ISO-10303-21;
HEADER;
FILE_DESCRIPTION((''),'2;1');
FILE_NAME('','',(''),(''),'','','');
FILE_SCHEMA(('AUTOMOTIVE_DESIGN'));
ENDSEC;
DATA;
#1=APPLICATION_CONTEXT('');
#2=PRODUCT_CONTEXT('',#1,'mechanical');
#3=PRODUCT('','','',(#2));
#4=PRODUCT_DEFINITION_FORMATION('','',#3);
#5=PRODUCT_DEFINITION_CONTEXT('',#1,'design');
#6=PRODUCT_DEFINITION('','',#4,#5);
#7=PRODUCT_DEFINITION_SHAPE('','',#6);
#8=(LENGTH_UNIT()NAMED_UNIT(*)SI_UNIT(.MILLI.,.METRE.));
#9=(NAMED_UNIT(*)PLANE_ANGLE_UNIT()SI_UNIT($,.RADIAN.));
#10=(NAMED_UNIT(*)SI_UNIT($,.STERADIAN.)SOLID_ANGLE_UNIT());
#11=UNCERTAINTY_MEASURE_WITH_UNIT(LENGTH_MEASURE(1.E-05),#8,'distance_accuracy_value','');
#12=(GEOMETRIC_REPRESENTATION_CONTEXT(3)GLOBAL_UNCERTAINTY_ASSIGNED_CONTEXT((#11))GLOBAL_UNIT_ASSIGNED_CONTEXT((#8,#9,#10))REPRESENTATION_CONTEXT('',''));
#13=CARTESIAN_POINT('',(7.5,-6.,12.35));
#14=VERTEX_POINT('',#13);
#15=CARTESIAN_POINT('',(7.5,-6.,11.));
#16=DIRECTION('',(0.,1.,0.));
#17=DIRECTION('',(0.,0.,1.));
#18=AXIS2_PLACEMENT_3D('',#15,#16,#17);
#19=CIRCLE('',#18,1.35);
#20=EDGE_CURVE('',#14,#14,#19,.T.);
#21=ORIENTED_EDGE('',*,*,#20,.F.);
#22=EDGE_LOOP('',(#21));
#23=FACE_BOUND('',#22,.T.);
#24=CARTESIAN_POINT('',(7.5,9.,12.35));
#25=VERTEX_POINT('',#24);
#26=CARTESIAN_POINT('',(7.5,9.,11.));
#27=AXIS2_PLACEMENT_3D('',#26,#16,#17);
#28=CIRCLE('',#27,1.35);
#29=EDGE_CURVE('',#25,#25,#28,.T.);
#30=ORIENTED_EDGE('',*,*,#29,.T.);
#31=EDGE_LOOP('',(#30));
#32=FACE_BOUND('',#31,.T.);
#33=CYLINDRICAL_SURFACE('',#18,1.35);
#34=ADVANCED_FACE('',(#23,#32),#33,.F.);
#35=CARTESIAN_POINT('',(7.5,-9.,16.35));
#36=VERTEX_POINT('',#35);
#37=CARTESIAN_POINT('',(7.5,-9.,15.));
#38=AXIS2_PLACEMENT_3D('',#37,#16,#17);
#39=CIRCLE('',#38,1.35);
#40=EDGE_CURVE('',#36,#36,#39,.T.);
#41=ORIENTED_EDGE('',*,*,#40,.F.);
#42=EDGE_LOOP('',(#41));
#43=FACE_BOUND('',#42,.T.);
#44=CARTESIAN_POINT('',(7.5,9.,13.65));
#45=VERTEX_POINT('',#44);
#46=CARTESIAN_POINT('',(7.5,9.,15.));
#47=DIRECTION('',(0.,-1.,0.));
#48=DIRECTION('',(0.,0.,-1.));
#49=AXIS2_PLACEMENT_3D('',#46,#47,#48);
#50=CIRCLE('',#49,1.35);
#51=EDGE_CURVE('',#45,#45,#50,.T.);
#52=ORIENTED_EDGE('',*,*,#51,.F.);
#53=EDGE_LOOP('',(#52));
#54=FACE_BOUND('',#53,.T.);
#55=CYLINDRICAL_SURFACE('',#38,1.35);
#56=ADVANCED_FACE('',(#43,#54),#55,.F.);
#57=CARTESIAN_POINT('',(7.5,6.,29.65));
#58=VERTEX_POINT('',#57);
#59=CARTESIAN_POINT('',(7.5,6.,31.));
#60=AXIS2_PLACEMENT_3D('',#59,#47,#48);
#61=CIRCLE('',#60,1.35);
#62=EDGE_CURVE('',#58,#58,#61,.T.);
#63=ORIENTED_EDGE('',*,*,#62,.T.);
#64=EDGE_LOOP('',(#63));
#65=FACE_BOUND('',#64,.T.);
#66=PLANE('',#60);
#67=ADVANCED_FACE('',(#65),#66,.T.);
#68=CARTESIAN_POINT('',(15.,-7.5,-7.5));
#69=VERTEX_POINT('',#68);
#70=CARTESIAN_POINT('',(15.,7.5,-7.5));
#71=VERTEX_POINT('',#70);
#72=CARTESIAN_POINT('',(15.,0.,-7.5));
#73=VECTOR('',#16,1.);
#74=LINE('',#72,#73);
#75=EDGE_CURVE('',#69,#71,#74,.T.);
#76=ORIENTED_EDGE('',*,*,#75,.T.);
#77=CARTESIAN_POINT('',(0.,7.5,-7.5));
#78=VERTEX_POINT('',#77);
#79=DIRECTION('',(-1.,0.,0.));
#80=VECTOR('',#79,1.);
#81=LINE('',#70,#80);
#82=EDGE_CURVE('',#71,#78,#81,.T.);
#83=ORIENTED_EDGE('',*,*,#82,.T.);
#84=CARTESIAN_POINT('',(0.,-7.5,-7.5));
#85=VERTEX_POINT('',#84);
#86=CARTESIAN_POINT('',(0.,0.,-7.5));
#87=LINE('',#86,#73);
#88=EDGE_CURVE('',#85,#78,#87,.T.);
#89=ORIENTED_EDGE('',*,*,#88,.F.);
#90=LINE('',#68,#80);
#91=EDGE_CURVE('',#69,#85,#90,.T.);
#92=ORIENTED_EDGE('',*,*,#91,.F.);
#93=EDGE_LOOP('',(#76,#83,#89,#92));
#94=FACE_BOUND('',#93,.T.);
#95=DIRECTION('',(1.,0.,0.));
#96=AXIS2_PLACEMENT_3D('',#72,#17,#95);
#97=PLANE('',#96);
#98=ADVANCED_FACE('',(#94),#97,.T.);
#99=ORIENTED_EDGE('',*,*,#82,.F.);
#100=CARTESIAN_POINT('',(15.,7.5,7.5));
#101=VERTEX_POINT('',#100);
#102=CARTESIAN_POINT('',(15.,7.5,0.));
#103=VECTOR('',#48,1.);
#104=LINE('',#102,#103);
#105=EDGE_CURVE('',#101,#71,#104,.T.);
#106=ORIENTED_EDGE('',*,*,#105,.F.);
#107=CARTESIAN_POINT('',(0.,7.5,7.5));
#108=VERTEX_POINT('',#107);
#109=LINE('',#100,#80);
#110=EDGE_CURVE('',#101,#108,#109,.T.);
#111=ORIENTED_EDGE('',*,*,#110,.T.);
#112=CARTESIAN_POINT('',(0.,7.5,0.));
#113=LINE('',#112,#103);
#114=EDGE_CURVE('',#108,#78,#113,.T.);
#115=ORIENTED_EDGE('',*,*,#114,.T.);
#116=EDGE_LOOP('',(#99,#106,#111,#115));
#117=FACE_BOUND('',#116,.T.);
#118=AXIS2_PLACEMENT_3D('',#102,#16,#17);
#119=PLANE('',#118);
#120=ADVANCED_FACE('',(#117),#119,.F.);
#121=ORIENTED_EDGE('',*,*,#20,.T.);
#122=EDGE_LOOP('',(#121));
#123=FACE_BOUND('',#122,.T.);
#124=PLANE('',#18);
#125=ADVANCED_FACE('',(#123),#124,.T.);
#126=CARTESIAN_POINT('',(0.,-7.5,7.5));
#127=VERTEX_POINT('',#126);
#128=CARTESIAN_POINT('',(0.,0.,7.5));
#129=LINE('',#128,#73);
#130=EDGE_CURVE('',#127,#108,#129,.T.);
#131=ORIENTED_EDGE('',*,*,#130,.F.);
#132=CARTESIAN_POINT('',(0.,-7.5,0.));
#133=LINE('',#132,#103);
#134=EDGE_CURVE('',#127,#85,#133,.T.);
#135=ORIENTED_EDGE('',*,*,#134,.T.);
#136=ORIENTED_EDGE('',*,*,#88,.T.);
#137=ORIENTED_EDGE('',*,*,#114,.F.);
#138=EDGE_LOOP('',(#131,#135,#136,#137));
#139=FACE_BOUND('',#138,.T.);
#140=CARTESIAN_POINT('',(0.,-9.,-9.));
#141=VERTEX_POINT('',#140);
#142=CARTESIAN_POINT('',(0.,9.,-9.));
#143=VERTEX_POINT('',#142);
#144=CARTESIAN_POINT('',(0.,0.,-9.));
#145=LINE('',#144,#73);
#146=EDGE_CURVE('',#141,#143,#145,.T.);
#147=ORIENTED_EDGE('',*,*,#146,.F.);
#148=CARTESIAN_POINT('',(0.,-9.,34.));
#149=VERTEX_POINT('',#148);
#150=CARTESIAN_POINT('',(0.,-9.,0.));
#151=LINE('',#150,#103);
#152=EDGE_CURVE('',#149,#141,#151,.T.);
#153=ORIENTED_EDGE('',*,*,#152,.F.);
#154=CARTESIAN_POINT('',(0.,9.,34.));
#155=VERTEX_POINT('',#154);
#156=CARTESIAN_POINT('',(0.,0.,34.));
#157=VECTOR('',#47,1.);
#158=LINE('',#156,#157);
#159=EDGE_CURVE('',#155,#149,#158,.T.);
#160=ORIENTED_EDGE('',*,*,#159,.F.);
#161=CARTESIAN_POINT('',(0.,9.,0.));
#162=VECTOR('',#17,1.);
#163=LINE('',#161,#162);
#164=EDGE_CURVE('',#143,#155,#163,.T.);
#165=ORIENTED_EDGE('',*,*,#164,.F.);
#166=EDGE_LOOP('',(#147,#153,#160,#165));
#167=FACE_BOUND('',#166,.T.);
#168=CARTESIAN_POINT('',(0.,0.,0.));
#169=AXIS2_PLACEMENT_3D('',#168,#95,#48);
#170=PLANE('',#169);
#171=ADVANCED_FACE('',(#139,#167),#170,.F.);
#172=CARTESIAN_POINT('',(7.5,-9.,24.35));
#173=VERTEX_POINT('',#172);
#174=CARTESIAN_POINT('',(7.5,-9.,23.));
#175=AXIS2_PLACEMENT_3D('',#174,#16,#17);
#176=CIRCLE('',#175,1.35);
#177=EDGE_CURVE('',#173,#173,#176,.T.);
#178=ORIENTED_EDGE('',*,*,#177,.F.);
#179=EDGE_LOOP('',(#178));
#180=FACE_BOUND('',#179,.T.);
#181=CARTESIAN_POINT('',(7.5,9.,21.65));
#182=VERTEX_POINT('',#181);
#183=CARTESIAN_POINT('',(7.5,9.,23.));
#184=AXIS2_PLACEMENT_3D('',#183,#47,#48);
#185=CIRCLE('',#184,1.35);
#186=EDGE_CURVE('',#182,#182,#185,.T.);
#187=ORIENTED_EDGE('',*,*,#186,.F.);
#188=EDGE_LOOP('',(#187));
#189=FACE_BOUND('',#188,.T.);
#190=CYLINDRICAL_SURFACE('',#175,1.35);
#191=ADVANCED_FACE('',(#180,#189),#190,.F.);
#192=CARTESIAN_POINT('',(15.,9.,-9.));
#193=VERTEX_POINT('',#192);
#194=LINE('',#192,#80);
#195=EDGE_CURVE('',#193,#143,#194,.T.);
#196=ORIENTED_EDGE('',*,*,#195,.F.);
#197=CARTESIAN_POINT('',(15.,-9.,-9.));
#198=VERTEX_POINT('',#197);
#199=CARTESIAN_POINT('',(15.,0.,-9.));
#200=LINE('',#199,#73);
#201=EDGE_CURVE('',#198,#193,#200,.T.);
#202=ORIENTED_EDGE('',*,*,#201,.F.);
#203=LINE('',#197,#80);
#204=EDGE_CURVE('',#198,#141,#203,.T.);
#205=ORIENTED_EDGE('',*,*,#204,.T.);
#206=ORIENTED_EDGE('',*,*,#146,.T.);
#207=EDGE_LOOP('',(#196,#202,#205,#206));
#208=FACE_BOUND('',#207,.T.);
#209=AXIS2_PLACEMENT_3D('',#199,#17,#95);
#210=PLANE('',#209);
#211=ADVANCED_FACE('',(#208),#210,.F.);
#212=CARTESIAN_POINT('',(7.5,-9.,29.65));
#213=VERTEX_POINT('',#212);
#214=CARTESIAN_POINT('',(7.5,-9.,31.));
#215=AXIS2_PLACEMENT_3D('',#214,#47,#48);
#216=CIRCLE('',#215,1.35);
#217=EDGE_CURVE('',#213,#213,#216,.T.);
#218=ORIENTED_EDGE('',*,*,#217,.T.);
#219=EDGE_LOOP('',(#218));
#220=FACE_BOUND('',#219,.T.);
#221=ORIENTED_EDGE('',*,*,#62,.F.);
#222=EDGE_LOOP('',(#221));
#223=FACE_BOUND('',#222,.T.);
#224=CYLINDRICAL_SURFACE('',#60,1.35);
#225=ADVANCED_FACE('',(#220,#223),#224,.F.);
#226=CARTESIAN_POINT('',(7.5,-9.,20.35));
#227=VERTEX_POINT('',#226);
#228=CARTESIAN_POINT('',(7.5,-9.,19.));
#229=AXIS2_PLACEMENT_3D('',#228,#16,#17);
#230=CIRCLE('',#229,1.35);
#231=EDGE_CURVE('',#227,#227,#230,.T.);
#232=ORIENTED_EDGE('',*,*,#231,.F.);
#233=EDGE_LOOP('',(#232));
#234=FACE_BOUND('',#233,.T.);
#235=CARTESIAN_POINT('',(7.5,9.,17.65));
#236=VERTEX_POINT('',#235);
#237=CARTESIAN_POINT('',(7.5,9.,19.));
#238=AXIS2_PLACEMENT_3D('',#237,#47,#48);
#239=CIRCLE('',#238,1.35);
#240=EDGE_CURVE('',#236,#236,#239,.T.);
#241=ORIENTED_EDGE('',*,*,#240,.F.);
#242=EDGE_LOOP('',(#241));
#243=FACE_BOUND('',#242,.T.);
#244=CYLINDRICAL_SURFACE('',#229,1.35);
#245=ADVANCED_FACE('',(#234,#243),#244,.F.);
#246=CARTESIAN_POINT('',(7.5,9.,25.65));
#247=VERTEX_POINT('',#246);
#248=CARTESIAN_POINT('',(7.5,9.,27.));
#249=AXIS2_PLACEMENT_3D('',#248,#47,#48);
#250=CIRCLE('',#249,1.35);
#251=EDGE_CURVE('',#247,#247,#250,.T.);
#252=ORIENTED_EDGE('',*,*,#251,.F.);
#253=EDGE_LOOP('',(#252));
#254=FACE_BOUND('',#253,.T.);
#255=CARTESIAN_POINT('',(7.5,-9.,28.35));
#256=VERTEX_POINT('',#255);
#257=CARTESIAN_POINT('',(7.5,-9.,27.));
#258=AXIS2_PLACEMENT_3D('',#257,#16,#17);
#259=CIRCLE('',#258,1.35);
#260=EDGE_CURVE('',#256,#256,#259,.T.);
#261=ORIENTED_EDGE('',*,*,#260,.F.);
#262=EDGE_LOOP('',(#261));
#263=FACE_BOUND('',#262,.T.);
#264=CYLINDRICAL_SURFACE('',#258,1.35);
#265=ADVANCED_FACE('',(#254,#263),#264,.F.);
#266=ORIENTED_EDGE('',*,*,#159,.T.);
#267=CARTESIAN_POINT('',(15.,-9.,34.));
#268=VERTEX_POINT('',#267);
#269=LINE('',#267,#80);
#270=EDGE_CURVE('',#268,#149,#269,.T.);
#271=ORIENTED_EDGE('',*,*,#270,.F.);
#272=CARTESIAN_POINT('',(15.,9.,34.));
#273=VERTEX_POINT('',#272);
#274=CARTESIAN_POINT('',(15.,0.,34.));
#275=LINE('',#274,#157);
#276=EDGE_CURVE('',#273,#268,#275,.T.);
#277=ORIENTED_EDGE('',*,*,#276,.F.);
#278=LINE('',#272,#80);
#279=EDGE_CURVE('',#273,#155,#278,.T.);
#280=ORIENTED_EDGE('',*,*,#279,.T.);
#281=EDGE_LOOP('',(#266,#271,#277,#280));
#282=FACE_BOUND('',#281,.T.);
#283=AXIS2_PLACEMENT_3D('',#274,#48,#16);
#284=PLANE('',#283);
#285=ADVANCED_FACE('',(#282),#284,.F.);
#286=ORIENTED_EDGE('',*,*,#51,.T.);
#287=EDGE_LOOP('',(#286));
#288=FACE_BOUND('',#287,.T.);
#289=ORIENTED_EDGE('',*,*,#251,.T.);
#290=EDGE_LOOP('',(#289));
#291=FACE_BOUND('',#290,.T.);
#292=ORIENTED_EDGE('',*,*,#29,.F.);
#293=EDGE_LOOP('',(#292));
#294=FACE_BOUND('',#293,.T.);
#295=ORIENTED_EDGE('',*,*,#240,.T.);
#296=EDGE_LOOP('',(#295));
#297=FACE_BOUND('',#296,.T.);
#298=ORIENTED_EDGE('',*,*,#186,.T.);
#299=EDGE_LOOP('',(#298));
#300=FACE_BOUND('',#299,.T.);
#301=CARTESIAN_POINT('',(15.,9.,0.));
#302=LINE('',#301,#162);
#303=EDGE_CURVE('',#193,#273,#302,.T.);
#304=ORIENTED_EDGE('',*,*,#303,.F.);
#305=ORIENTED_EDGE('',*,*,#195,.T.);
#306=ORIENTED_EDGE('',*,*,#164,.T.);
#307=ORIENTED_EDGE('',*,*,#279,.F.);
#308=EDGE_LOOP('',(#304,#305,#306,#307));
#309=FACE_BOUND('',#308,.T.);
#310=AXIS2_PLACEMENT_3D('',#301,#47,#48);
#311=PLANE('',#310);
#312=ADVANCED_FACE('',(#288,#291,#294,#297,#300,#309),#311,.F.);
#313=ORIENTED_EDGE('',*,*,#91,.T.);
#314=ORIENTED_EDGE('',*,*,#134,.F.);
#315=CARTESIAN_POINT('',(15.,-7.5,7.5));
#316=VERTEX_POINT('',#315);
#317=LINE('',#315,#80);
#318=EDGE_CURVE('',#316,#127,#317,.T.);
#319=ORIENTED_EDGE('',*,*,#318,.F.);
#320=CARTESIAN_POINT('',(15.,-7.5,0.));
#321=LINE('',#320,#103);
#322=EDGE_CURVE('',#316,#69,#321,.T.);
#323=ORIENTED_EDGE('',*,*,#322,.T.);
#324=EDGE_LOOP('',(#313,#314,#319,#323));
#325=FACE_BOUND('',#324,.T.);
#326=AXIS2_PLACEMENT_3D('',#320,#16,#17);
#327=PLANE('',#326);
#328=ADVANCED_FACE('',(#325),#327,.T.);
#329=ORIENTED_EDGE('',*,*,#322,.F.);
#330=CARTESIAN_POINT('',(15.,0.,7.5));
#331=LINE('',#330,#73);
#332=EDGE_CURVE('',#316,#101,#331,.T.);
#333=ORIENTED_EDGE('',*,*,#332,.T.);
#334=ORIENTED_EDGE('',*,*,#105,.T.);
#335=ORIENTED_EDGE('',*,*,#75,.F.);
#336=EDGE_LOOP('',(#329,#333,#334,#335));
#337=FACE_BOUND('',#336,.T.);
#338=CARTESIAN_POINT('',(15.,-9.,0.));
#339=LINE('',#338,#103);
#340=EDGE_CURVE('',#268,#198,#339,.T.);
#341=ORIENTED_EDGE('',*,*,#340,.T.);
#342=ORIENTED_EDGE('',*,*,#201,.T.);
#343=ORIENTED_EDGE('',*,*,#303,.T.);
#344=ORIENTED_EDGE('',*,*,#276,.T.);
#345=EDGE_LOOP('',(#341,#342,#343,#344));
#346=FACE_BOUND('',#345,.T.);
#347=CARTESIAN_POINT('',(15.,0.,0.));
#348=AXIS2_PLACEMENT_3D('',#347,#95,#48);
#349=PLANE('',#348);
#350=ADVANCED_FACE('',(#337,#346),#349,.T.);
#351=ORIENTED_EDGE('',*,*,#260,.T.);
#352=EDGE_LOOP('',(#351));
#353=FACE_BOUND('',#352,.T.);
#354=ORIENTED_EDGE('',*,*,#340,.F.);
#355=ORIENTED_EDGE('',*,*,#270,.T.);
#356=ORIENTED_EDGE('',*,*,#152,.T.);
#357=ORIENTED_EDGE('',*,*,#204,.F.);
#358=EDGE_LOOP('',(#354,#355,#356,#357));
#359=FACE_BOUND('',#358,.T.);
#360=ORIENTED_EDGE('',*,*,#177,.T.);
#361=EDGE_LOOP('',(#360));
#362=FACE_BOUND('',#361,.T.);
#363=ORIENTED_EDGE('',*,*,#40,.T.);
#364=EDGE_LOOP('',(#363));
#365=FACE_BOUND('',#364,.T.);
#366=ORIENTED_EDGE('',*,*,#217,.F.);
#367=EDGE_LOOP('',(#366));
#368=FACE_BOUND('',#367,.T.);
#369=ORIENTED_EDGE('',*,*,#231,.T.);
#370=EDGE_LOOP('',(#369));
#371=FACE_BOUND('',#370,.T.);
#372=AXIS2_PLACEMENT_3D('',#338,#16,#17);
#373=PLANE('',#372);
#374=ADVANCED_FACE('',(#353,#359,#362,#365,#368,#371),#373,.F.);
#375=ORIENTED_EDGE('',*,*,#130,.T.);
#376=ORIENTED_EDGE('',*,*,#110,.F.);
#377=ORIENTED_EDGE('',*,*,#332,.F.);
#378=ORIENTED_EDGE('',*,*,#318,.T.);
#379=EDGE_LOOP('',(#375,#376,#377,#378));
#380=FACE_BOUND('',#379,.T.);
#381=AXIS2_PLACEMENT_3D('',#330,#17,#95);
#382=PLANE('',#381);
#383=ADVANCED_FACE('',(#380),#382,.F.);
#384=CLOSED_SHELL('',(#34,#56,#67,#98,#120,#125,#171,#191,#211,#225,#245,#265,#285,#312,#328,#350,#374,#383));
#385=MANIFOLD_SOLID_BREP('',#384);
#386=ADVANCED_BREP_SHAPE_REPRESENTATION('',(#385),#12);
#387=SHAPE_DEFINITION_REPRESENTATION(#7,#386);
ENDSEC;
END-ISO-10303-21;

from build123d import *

# Parameters (mm, degrees)
SCHIZZO1_W                    = 25
SCHIZZO1_H                    = 18
SCHIZZO1_W_2                  = 18
SCHIZZO1_W_3                  = 15
SCHIZZO1_H_2                  = 15
ESTRUSIONE_ESTRUSIONE1_DEPTH  = 15
TAGLIO_ESTRUSIONE1_DEPTH      = 42.291645644
TAGLIO_ESTRUSIONE1_DEPTH_BACK = 42.291645644
SCHIZZO2_R                    = 1.35
SCHIZZO3_R                    = 1.35
TAGLIO_ESTRUSIONE2_DEPTH      = 15
SCHIZZO4_R                    = 1.35
TAGLIO_ESTRUSIONE3_DEPTH      = 15


with BuildPart() as part:
    # Schizzo1 → Estrusione-Estrusione1 (new body)
    # profile 1 of 2: a face of its own
    with BuildSketch(Plane(origin=(0, 0, 0), x_dir=(0, 0, -1), z_dir=(1, 0, 0))):
        with Locations((-21.5, 0)):
            Rectangle(SCHIZZO1_W, SCHIZZO1_H)
    # profile 2 of 2: a face of its own
    with BuildSketch(Plane(origin=(0, 0, 0), x_dir=(0, 0, -1), z_dir=(1, 0, 0))):
        Rectangle(SCHIZZO1_W_2, SCHIZZO1_H)
        Rectangle(SCHIZZO1_W_3, SCHIZZO1_H_2, mode=Mode.SUBTRACT)
    extrude(amount=ESTRUSIONE_ESTRUSIONE1_DEPTH)

    # Schizzo2 → Taglio-Estrusione1 (cut, two sides: drawn at the far end of the back side and taken through both)
    with BuildSketch(Plane(origin=(0, 9, 0), x_dir=(1, 0, 0), z_dir=(0, 1, 0)).offset(-TAGLIO_ESTRUSIONE1_DEPTH_BACK)):
        with Locations(Location((7.5, -27, 0), (0, 0, 270))):
            Circle(SCHIZZO2_R)
        with Locations(Location((7.5, -23, 0), (0, 0, 270))):
            Circle(SCHIZZO2_R)
        with Locations(Location((7.5, -19, 0), (0, 0, 270))):
            Circle(SCHIZZO2_R)
        with Locations(Location((7.5, -15, 0), (0, 0, 270))):
            Circle(SCHIZZO2_R)
    extrude(amount=TAGLIO_ESTRUSIONE1_DEPTH + TAGLIO_ESTRUSIONE1_DEPTH_BACK, mode=Mode.SUBTRACT)

    # Schizzo3 → Taglio-Estrusione2 (cut)
    with BuildSketch(Plane(origin=(0, 9, 0), x_dir=(1, 0, 0), z_dir=(0, 1, 0))):
        with Locations(Location((7.5, -11, 0), (0, 0, 270))):
            Circle(SCHIZZO3_R)
    extrude(amount=-TAGLIO_ESTRUSIONE2_DEPTH, mode=Mode.SUBTRACT)

    # Schizzo4 → Taglio-Estrusione3 (cut)
    with BuildSketch(Plane.XZ.offset(9)):
        with Locations(Location((7.5, 31, 0), (0, 0, 270))):
            Circle(SCHIZZO4_R)
    extrude(amount=-TAGLIO_ESTRUSIONE3_DEPTH, mode=Mode.SUBTRACT)


solid = part.part
